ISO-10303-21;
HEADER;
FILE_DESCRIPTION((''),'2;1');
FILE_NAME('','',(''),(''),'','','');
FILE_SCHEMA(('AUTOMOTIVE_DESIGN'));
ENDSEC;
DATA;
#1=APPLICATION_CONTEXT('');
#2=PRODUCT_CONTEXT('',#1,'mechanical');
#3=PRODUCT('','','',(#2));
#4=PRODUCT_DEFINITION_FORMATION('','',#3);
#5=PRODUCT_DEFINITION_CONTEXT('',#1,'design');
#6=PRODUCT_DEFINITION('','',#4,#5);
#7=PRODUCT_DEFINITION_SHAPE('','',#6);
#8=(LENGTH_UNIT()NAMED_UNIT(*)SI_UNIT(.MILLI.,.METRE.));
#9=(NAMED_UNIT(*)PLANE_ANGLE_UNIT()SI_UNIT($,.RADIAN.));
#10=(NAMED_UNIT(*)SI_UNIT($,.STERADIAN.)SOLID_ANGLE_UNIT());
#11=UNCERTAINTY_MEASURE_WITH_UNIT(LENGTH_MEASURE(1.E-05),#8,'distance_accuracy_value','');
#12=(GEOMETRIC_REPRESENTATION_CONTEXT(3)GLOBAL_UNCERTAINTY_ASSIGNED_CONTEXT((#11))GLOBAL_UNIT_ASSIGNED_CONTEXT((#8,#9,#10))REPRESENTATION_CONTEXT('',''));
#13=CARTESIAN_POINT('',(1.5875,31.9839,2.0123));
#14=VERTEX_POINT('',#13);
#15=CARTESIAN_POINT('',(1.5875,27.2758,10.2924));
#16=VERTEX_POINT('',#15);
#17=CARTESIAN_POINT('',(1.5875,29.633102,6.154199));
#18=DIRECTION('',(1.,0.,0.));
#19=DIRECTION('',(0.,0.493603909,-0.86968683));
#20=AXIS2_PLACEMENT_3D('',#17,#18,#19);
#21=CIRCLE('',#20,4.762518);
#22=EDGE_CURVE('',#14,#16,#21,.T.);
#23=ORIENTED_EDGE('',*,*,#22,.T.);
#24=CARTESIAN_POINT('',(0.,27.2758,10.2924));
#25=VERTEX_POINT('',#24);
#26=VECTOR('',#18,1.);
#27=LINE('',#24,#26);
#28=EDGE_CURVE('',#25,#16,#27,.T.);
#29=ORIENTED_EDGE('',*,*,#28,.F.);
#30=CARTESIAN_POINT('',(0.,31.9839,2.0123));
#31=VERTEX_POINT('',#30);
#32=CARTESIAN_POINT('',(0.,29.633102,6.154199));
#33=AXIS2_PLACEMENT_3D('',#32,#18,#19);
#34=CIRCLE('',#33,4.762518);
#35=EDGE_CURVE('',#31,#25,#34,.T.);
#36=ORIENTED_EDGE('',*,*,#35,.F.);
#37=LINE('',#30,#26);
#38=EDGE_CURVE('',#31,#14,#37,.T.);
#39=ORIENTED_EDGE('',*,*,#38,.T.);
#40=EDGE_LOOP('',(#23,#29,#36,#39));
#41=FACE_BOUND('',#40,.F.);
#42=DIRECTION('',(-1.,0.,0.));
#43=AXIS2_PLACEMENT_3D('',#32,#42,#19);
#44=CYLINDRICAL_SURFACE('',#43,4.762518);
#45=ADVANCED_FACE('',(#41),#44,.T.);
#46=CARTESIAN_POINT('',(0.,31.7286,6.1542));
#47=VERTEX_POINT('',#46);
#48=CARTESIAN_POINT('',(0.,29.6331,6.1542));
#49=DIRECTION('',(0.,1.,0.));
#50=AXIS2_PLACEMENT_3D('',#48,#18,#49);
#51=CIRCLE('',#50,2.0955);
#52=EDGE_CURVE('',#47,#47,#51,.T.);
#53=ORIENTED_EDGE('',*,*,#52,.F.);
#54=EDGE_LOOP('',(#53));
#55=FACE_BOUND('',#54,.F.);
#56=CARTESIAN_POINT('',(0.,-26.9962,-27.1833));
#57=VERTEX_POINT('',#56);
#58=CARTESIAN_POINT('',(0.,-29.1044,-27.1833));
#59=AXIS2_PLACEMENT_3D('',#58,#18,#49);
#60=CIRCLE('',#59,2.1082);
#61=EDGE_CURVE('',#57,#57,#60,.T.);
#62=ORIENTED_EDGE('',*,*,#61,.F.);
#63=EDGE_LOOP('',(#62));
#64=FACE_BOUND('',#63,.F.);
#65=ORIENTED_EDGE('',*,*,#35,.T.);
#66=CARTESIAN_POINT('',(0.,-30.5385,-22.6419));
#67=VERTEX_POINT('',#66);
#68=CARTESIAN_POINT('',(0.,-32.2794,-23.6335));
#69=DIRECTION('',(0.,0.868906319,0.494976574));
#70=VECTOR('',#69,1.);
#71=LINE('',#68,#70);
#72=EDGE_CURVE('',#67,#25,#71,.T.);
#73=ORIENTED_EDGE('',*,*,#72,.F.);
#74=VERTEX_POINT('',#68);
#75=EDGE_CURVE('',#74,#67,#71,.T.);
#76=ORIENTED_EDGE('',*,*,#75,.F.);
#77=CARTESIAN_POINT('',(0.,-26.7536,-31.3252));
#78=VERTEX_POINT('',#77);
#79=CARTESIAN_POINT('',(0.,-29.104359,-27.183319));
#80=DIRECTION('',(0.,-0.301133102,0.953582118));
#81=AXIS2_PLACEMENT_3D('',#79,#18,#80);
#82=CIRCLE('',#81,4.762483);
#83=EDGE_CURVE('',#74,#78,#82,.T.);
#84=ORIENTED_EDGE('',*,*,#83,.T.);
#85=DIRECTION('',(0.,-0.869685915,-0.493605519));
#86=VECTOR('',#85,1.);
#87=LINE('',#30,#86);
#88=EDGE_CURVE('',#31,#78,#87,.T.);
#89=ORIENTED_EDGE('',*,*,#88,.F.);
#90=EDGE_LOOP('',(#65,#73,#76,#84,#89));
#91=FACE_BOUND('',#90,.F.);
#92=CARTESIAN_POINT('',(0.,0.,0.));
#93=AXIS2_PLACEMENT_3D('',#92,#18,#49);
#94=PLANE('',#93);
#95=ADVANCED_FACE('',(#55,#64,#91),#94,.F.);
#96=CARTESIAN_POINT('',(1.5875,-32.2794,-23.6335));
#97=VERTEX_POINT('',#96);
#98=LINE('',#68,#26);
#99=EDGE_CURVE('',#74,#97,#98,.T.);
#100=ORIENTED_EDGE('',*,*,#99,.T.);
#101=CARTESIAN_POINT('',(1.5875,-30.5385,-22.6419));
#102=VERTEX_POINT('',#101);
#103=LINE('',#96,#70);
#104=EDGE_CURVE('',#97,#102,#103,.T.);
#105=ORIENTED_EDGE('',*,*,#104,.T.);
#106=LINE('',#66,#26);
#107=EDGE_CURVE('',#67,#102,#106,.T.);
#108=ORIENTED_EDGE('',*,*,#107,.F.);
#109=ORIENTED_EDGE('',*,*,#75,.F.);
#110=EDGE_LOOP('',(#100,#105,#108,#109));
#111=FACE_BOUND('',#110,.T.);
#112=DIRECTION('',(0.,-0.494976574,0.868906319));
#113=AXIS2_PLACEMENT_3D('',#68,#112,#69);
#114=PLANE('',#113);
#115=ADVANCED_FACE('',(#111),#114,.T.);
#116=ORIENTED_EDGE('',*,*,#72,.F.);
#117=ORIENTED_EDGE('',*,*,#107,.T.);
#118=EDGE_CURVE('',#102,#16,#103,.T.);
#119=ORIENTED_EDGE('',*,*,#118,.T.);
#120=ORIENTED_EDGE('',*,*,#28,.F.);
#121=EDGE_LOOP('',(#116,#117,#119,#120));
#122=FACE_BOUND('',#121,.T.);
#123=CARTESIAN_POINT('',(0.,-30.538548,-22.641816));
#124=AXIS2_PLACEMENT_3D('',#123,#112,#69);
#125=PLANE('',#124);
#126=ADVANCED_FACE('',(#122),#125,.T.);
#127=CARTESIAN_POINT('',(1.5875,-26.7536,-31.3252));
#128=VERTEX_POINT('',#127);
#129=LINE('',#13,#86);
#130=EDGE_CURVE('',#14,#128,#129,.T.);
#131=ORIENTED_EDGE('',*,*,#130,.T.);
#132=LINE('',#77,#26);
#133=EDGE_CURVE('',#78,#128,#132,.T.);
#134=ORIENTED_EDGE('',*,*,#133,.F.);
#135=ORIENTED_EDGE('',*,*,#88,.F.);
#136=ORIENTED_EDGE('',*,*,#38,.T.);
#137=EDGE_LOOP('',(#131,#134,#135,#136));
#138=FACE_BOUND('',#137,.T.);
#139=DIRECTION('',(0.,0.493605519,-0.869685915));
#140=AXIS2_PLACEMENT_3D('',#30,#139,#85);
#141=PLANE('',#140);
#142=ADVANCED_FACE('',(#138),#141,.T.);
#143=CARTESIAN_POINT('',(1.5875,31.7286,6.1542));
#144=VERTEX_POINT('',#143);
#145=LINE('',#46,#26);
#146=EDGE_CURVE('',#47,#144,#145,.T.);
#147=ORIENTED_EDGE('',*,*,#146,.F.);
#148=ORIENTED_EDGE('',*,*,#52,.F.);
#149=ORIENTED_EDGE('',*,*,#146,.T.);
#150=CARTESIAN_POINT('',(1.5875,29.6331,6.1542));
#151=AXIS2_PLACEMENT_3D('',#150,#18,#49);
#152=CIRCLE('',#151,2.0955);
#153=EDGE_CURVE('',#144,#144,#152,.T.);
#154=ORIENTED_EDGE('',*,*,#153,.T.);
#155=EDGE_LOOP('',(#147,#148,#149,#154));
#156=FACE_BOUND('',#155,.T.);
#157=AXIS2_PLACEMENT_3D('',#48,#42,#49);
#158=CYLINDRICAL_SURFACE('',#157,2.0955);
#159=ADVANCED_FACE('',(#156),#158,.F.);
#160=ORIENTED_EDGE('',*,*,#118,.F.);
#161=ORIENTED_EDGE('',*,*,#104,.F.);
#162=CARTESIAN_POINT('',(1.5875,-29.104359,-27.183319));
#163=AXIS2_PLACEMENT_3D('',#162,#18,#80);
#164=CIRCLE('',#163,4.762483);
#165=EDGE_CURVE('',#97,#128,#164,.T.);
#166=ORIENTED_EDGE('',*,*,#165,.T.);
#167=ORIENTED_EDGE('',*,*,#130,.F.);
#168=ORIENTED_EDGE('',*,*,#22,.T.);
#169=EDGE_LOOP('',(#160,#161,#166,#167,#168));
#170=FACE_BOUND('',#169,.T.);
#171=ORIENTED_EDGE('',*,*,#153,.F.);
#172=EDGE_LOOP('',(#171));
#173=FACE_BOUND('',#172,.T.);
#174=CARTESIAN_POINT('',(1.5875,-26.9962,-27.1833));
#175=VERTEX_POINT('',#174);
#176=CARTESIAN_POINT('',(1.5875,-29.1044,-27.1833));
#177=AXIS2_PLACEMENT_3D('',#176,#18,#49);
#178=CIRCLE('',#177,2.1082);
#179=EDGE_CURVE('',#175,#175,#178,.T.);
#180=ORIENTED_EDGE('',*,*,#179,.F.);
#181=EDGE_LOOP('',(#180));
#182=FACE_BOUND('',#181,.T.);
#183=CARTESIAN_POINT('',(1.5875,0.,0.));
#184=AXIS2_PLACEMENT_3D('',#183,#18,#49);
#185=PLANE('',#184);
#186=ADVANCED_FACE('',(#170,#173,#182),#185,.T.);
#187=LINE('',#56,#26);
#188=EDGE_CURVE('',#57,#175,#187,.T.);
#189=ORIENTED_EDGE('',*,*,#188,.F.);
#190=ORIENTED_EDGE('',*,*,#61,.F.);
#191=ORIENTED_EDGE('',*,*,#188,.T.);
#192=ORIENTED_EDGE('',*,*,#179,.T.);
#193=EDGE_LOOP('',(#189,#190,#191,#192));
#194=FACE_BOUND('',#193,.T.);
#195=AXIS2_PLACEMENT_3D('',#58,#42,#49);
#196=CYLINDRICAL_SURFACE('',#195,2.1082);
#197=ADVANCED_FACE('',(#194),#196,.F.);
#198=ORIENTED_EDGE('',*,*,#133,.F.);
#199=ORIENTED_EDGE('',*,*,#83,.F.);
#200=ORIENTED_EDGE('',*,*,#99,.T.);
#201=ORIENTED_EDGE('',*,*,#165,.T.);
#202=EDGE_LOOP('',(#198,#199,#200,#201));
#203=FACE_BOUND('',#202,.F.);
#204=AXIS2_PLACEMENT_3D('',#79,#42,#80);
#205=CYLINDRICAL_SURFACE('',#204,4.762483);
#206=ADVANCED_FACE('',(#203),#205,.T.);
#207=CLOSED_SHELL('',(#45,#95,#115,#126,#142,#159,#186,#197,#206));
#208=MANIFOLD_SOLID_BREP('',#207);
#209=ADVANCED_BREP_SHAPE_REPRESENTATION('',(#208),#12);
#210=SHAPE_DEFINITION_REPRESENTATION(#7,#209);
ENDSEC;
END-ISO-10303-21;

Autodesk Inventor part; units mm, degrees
ref_plane "YZ Plane" through (0, 0, 0) normal (1, 0, 0) x (0, 1, 0)
ref_plane "XZ Plane" through (0, 0, 0) normal (0, 1, 0) x (-1, 0, 0)
ref_plane "XY Plane" through (0, 0, 0) normal (0, 0, 1) x (1, 0, 0)
sketch "Sketch1" plane through (0, 0, 0) normal (1, 0, 0) x (0, 1, 0)
  circle A0 centre (-29.1044, -27.1833) radius 2.1082
  arc A1 (-30.5385, -22.6419) -> (-26.7536, -31.3252) centre (-29.1044, -27.1833) ccw
  circle A2 centre (29.6331, 6.1542) radius 2.0955
  arc A3 (31.9839, 2.0123) -> (27.2758, 10.2924) centre (29.6331, 6.1542) ccw
  line L0 (-32.2794, -23.6335) -> (27.2758, 10.2924)
  line L1 (31.9839, 2.0123) -> (-26.7536, -31.3252)
  point P0 (0, 0)
  dimension "d0" = 9.525
  dimension "d1" = 9.525
extrude "Extrusion1" add sketch "Sketch1" along normal blind 1.5875 contours L0 A3 L1 A1
equation "\"BendRadius\" = Thickness"
equation "\"BendReliefWidth\" = Thickness"
equation "\"BendReliefDepth\" = 0.5 * Thickness"
equation "\"CornerReliefSize\" = 4 * Thickness"
equation "\"MinimumRemnant\" = 2 * Thickness"
equation "\"TransitionRadius\" = BendRadius"
equation "\"JacobiRadiusSize\" = BendRadius"
equation "\"GapSize\" = Thickness"
equation "\"Thickness\" = 1.5875"
properties part number "battery_mount_arm" material "Acetal Resin, White"
